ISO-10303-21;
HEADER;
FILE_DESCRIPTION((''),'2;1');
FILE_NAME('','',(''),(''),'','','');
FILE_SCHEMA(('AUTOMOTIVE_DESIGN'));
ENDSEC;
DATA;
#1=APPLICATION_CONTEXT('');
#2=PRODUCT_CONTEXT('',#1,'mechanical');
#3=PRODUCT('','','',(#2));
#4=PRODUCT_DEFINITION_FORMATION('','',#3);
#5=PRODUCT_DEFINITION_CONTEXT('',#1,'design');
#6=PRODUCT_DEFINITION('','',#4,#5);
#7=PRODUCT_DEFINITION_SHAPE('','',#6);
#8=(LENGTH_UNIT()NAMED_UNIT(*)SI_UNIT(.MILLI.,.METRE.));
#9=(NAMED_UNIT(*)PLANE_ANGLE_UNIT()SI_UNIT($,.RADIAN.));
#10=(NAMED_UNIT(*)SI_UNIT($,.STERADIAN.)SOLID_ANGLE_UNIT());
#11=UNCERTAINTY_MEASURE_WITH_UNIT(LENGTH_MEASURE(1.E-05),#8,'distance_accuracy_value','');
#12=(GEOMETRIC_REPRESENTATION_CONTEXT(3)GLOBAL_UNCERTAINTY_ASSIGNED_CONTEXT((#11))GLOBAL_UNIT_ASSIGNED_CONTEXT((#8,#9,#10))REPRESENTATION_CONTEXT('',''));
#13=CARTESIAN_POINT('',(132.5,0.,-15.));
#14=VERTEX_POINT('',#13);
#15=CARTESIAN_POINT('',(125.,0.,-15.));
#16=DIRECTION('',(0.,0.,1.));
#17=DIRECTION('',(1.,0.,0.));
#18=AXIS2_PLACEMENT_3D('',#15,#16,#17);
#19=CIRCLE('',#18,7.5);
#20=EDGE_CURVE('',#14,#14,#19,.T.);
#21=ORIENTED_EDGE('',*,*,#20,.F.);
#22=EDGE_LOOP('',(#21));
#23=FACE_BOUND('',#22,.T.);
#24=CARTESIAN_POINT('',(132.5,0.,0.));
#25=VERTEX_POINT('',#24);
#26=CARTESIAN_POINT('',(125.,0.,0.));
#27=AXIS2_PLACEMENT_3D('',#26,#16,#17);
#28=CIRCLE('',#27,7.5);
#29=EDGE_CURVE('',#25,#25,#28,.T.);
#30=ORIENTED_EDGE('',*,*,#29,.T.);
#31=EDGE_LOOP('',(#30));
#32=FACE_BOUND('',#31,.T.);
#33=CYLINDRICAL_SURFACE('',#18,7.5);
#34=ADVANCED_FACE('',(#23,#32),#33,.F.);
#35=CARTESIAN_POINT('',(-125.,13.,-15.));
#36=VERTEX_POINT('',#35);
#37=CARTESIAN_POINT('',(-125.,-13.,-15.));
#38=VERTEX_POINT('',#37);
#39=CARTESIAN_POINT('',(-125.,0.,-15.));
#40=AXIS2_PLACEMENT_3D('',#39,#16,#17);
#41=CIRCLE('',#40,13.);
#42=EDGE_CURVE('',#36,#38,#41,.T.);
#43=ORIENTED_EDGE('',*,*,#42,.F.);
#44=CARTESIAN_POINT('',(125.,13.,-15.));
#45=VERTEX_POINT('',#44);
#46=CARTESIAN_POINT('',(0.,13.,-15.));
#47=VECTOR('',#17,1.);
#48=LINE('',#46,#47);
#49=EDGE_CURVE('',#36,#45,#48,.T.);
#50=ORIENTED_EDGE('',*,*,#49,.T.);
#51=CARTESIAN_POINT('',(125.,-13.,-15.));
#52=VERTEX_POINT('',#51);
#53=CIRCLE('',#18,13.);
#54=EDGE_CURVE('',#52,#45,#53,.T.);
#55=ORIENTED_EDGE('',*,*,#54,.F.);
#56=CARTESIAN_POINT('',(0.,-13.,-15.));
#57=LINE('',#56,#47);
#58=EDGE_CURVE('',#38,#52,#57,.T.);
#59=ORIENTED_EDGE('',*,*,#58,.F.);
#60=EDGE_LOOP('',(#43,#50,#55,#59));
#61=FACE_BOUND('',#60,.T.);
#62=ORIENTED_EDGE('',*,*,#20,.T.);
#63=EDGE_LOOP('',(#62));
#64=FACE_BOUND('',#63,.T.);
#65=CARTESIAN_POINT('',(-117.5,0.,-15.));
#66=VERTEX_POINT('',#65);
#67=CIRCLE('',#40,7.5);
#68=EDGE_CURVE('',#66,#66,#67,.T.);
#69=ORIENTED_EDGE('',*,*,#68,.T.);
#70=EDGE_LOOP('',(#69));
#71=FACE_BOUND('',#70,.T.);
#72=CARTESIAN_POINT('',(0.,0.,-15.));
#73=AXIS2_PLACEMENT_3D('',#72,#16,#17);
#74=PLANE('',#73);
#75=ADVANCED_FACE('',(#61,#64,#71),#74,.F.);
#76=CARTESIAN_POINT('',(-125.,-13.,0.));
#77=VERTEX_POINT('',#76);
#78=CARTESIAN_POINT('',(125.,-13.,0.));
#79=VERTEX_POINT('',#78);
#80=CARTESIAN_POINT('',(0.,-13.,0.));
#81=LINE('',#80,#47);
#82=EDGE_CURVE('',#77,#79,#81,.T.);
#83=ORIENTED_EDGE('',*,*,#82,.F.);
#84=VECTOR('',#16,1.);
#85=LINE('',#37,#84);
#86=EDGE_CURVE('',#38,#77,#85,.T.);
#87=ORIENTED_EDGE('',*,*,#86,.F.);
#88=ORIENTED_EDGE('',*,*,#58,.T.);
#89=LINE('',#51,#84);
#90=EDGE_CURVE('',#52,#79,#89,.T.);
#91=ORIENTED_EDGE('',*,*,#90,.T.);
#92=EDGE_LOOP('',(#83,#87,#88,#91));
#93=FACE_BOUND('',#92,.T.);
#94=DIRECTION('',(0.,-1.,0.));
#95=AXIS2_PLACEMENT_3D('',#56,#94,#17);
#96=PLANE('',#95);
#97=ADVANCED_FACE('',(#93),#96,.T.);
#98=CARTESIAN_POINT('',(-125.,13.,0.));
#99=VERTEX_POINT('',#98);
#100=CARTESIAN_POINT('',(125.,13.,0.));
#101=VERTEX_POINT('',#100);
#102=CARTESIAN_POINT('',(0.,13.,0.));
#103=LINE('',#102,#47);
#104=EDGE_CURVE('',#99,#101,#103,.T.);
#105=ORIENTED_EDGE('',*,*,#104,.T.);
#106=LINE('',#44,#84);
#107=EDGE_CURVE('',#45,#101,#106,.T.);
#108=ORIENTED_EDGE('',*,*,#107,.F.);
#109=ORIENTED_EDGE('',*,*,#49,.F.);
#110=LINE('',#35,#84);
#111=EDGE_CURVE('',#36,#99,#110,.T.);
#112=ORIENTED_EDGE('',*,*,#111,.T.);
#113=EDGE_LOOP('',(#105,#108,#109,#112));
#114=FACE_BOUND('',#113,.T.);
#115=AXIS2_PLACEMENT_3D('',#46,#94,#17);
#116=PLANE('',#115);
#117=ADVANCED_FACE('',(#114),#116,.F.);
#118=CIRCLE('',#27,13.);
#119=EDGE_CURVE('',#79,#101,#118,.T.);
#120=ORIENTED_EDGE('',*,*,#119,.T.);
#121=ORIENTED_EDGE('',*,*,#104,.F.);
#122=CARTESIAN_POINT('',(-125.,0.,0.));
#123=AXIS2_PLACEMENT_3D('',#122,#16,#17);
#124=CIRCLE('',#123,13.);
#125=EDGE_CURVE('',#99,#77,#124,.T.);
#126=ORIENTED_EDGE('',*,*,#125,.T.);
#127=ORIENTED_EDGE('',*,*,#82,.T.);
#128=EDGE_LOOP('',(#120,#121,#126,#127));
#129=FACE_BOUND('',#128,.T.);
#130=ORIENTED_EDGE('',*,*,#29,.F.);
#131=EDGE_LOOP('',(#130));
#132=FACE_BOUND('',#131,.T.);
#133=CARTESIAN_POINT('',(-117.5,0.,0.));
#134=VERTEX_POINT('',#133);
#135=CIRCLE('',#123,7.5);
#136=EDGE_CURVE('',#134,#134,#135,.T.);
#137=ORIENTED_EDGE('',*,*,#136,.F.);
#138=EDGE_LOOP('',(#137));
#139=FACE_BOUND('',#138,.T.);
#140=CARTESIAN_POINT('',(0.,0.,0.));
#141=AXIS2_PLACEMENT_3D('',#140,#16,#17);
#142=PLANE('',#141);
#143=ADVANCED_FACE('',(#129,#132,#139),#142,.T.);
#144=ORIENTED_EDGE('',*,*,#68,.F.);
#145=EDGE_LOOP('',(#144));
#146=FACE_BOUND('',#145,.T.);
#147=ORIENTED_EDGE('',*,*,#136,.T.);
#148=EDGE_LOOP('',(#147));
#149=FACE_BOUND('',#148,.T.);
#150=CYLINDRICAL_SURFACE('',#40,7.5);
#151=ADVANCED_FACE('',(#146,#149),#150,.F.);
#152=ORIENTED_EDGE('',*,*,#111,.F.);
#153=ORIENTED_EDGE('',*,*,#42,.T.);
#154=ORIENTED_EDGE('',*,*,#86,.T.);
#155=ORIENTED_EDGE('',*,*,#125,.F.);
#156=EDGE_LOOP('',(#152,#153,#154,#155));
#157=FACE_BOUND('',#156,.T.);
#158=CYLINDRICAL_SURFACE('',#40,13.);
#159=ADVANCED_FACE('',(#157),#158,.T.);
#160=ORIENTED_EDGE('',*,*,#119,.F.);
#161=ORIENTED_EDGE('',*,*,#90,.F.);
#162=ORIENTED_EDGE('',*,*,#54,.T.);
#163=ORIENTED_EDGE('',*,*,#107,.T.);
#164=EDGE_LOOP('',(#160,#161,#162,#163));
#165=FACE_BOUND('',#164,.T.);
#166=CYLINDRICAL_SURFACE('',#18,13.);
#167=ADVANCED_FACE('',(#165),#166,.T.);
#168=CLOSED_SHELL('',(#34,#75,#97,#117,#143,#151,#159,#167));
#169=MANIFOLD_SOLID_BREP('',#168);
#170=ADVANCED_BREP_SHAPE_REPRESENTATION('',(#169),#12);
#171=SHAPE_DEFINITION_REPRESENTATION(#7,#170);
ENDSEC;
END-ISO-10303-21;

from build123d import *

# Parameters (mm, degrees)
SKETCH1_R           = 7.5
BOSS_EXTRUDE1_DEPTH = 15


with BuildPart() as part:
    # Sketch1 → Boss-Extrude1 (new body)
    with BuildSketch(Plane.XY):
        with BuildLine():
            Line((-125, 13), (125, 13))
            ThreePointArc((125, 13), (138, 0), (125, -13))
            Line((125, -13), (-125, -13))
            ThreePointArc((-125, -13), (-138, 0), (-125, 13))
        make_face()
        with Locations((-125, 0)):
            Circle(SKETCH1_R, mode=Mode.SUBTRACT)
        with Locations((125, 0)):
            Circle(SKETCH1_R, mode=Mode.SUBTRACT)
    extrude(amount=-BOSS_EXTRUDE1_DEPTH)


solid = part.part
